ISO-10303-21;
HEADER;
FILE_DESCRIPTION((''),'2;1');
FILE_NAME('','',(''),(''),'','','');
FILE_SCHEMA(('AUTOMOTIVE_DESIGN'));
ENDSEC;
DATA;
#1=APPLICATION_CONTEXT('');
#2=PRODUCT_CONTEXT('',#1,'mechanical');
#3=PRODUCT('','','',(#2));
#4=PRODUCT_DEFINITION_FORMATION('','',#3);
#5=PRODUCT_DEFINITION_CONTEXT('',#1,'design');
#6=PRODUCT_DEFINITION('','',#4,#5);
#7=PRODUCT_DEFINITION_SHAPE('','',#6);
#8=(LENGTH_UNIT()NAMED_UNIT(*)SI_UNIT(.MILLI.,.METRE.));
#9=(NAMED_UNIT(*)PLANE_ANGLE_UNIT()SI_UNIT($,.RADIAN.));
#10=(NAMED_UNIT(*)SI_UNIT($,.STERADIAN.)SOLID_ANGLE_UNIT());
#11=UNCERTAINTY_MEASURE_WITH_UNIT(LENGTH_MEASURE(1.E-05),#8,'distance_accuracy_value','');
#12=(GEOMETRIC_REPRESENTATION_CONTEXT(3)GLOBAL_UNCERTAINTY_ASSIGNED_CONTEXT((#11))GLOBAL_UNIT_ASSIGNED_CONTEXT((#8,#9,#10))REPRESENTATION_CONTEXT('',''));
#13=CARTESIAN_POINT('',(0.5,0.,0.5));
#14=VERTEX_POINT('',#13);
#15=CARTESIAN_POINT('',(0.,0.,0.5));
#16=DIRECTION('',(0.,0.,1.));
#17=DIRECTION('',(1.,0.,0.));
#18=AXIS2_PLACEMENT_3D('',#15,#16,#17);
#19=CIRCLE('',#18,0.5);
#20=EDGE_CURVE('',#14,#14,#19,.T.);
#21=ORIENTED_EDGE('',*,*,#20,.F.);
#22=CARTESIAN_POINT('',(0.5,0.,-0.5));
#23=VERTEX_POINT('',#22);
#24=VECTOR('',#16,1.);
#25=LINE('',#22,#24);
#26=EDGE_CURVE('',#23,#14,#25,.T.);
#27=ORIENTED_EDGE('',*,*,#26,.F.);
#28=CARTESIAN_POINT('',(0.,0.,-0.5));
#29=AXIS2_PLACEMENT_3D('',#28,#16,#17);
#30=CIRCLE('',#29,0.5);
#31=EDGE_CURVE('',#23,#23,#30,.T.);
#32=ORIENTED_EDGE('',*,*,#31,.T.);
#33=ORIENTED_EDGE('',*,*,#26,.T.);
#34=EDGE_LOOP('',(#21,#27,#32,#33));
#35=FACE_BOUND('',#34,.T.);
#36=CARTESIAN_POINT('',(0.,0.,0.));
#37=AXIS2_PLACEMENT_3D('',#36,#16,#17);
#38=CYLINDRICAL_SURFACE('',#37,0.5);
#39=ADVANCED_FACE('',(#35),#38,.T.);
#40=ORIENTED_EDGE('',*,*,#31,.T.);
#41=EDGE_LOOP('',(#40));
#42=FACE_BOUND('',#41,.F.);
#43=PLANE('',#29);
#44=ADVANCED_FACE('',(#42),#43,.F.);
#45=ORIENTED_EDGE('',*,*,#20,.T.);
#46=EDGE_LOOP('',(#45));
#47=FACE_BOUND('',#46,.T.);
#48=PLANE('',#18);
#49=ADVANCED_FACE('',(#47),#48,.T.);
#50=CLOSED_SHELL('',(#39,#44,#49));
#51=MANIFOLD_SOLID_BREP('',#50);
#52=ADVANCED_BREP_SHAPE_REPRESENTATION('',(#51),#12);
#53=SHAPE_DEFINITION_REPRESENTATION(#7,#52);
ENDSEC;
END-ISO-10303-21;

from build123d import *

# Parameters (mm, degrees)
SCHIZZO1_R                   = 0.5
ESTRUSIONE_ESTRUSIONE1_DEPTH = 0.5


with BuildPart() as part:
    # Schizzo1 → Estrusione-Estrusione1 (new body, symmetric)
    with BuildSketch(Plane.XY):
        Circle(SCHIZZO1_R)
    extrude(amount=ESTRUSIONE_ESTRUSIONE1_DEPTH, both=True)


solid = part.part
